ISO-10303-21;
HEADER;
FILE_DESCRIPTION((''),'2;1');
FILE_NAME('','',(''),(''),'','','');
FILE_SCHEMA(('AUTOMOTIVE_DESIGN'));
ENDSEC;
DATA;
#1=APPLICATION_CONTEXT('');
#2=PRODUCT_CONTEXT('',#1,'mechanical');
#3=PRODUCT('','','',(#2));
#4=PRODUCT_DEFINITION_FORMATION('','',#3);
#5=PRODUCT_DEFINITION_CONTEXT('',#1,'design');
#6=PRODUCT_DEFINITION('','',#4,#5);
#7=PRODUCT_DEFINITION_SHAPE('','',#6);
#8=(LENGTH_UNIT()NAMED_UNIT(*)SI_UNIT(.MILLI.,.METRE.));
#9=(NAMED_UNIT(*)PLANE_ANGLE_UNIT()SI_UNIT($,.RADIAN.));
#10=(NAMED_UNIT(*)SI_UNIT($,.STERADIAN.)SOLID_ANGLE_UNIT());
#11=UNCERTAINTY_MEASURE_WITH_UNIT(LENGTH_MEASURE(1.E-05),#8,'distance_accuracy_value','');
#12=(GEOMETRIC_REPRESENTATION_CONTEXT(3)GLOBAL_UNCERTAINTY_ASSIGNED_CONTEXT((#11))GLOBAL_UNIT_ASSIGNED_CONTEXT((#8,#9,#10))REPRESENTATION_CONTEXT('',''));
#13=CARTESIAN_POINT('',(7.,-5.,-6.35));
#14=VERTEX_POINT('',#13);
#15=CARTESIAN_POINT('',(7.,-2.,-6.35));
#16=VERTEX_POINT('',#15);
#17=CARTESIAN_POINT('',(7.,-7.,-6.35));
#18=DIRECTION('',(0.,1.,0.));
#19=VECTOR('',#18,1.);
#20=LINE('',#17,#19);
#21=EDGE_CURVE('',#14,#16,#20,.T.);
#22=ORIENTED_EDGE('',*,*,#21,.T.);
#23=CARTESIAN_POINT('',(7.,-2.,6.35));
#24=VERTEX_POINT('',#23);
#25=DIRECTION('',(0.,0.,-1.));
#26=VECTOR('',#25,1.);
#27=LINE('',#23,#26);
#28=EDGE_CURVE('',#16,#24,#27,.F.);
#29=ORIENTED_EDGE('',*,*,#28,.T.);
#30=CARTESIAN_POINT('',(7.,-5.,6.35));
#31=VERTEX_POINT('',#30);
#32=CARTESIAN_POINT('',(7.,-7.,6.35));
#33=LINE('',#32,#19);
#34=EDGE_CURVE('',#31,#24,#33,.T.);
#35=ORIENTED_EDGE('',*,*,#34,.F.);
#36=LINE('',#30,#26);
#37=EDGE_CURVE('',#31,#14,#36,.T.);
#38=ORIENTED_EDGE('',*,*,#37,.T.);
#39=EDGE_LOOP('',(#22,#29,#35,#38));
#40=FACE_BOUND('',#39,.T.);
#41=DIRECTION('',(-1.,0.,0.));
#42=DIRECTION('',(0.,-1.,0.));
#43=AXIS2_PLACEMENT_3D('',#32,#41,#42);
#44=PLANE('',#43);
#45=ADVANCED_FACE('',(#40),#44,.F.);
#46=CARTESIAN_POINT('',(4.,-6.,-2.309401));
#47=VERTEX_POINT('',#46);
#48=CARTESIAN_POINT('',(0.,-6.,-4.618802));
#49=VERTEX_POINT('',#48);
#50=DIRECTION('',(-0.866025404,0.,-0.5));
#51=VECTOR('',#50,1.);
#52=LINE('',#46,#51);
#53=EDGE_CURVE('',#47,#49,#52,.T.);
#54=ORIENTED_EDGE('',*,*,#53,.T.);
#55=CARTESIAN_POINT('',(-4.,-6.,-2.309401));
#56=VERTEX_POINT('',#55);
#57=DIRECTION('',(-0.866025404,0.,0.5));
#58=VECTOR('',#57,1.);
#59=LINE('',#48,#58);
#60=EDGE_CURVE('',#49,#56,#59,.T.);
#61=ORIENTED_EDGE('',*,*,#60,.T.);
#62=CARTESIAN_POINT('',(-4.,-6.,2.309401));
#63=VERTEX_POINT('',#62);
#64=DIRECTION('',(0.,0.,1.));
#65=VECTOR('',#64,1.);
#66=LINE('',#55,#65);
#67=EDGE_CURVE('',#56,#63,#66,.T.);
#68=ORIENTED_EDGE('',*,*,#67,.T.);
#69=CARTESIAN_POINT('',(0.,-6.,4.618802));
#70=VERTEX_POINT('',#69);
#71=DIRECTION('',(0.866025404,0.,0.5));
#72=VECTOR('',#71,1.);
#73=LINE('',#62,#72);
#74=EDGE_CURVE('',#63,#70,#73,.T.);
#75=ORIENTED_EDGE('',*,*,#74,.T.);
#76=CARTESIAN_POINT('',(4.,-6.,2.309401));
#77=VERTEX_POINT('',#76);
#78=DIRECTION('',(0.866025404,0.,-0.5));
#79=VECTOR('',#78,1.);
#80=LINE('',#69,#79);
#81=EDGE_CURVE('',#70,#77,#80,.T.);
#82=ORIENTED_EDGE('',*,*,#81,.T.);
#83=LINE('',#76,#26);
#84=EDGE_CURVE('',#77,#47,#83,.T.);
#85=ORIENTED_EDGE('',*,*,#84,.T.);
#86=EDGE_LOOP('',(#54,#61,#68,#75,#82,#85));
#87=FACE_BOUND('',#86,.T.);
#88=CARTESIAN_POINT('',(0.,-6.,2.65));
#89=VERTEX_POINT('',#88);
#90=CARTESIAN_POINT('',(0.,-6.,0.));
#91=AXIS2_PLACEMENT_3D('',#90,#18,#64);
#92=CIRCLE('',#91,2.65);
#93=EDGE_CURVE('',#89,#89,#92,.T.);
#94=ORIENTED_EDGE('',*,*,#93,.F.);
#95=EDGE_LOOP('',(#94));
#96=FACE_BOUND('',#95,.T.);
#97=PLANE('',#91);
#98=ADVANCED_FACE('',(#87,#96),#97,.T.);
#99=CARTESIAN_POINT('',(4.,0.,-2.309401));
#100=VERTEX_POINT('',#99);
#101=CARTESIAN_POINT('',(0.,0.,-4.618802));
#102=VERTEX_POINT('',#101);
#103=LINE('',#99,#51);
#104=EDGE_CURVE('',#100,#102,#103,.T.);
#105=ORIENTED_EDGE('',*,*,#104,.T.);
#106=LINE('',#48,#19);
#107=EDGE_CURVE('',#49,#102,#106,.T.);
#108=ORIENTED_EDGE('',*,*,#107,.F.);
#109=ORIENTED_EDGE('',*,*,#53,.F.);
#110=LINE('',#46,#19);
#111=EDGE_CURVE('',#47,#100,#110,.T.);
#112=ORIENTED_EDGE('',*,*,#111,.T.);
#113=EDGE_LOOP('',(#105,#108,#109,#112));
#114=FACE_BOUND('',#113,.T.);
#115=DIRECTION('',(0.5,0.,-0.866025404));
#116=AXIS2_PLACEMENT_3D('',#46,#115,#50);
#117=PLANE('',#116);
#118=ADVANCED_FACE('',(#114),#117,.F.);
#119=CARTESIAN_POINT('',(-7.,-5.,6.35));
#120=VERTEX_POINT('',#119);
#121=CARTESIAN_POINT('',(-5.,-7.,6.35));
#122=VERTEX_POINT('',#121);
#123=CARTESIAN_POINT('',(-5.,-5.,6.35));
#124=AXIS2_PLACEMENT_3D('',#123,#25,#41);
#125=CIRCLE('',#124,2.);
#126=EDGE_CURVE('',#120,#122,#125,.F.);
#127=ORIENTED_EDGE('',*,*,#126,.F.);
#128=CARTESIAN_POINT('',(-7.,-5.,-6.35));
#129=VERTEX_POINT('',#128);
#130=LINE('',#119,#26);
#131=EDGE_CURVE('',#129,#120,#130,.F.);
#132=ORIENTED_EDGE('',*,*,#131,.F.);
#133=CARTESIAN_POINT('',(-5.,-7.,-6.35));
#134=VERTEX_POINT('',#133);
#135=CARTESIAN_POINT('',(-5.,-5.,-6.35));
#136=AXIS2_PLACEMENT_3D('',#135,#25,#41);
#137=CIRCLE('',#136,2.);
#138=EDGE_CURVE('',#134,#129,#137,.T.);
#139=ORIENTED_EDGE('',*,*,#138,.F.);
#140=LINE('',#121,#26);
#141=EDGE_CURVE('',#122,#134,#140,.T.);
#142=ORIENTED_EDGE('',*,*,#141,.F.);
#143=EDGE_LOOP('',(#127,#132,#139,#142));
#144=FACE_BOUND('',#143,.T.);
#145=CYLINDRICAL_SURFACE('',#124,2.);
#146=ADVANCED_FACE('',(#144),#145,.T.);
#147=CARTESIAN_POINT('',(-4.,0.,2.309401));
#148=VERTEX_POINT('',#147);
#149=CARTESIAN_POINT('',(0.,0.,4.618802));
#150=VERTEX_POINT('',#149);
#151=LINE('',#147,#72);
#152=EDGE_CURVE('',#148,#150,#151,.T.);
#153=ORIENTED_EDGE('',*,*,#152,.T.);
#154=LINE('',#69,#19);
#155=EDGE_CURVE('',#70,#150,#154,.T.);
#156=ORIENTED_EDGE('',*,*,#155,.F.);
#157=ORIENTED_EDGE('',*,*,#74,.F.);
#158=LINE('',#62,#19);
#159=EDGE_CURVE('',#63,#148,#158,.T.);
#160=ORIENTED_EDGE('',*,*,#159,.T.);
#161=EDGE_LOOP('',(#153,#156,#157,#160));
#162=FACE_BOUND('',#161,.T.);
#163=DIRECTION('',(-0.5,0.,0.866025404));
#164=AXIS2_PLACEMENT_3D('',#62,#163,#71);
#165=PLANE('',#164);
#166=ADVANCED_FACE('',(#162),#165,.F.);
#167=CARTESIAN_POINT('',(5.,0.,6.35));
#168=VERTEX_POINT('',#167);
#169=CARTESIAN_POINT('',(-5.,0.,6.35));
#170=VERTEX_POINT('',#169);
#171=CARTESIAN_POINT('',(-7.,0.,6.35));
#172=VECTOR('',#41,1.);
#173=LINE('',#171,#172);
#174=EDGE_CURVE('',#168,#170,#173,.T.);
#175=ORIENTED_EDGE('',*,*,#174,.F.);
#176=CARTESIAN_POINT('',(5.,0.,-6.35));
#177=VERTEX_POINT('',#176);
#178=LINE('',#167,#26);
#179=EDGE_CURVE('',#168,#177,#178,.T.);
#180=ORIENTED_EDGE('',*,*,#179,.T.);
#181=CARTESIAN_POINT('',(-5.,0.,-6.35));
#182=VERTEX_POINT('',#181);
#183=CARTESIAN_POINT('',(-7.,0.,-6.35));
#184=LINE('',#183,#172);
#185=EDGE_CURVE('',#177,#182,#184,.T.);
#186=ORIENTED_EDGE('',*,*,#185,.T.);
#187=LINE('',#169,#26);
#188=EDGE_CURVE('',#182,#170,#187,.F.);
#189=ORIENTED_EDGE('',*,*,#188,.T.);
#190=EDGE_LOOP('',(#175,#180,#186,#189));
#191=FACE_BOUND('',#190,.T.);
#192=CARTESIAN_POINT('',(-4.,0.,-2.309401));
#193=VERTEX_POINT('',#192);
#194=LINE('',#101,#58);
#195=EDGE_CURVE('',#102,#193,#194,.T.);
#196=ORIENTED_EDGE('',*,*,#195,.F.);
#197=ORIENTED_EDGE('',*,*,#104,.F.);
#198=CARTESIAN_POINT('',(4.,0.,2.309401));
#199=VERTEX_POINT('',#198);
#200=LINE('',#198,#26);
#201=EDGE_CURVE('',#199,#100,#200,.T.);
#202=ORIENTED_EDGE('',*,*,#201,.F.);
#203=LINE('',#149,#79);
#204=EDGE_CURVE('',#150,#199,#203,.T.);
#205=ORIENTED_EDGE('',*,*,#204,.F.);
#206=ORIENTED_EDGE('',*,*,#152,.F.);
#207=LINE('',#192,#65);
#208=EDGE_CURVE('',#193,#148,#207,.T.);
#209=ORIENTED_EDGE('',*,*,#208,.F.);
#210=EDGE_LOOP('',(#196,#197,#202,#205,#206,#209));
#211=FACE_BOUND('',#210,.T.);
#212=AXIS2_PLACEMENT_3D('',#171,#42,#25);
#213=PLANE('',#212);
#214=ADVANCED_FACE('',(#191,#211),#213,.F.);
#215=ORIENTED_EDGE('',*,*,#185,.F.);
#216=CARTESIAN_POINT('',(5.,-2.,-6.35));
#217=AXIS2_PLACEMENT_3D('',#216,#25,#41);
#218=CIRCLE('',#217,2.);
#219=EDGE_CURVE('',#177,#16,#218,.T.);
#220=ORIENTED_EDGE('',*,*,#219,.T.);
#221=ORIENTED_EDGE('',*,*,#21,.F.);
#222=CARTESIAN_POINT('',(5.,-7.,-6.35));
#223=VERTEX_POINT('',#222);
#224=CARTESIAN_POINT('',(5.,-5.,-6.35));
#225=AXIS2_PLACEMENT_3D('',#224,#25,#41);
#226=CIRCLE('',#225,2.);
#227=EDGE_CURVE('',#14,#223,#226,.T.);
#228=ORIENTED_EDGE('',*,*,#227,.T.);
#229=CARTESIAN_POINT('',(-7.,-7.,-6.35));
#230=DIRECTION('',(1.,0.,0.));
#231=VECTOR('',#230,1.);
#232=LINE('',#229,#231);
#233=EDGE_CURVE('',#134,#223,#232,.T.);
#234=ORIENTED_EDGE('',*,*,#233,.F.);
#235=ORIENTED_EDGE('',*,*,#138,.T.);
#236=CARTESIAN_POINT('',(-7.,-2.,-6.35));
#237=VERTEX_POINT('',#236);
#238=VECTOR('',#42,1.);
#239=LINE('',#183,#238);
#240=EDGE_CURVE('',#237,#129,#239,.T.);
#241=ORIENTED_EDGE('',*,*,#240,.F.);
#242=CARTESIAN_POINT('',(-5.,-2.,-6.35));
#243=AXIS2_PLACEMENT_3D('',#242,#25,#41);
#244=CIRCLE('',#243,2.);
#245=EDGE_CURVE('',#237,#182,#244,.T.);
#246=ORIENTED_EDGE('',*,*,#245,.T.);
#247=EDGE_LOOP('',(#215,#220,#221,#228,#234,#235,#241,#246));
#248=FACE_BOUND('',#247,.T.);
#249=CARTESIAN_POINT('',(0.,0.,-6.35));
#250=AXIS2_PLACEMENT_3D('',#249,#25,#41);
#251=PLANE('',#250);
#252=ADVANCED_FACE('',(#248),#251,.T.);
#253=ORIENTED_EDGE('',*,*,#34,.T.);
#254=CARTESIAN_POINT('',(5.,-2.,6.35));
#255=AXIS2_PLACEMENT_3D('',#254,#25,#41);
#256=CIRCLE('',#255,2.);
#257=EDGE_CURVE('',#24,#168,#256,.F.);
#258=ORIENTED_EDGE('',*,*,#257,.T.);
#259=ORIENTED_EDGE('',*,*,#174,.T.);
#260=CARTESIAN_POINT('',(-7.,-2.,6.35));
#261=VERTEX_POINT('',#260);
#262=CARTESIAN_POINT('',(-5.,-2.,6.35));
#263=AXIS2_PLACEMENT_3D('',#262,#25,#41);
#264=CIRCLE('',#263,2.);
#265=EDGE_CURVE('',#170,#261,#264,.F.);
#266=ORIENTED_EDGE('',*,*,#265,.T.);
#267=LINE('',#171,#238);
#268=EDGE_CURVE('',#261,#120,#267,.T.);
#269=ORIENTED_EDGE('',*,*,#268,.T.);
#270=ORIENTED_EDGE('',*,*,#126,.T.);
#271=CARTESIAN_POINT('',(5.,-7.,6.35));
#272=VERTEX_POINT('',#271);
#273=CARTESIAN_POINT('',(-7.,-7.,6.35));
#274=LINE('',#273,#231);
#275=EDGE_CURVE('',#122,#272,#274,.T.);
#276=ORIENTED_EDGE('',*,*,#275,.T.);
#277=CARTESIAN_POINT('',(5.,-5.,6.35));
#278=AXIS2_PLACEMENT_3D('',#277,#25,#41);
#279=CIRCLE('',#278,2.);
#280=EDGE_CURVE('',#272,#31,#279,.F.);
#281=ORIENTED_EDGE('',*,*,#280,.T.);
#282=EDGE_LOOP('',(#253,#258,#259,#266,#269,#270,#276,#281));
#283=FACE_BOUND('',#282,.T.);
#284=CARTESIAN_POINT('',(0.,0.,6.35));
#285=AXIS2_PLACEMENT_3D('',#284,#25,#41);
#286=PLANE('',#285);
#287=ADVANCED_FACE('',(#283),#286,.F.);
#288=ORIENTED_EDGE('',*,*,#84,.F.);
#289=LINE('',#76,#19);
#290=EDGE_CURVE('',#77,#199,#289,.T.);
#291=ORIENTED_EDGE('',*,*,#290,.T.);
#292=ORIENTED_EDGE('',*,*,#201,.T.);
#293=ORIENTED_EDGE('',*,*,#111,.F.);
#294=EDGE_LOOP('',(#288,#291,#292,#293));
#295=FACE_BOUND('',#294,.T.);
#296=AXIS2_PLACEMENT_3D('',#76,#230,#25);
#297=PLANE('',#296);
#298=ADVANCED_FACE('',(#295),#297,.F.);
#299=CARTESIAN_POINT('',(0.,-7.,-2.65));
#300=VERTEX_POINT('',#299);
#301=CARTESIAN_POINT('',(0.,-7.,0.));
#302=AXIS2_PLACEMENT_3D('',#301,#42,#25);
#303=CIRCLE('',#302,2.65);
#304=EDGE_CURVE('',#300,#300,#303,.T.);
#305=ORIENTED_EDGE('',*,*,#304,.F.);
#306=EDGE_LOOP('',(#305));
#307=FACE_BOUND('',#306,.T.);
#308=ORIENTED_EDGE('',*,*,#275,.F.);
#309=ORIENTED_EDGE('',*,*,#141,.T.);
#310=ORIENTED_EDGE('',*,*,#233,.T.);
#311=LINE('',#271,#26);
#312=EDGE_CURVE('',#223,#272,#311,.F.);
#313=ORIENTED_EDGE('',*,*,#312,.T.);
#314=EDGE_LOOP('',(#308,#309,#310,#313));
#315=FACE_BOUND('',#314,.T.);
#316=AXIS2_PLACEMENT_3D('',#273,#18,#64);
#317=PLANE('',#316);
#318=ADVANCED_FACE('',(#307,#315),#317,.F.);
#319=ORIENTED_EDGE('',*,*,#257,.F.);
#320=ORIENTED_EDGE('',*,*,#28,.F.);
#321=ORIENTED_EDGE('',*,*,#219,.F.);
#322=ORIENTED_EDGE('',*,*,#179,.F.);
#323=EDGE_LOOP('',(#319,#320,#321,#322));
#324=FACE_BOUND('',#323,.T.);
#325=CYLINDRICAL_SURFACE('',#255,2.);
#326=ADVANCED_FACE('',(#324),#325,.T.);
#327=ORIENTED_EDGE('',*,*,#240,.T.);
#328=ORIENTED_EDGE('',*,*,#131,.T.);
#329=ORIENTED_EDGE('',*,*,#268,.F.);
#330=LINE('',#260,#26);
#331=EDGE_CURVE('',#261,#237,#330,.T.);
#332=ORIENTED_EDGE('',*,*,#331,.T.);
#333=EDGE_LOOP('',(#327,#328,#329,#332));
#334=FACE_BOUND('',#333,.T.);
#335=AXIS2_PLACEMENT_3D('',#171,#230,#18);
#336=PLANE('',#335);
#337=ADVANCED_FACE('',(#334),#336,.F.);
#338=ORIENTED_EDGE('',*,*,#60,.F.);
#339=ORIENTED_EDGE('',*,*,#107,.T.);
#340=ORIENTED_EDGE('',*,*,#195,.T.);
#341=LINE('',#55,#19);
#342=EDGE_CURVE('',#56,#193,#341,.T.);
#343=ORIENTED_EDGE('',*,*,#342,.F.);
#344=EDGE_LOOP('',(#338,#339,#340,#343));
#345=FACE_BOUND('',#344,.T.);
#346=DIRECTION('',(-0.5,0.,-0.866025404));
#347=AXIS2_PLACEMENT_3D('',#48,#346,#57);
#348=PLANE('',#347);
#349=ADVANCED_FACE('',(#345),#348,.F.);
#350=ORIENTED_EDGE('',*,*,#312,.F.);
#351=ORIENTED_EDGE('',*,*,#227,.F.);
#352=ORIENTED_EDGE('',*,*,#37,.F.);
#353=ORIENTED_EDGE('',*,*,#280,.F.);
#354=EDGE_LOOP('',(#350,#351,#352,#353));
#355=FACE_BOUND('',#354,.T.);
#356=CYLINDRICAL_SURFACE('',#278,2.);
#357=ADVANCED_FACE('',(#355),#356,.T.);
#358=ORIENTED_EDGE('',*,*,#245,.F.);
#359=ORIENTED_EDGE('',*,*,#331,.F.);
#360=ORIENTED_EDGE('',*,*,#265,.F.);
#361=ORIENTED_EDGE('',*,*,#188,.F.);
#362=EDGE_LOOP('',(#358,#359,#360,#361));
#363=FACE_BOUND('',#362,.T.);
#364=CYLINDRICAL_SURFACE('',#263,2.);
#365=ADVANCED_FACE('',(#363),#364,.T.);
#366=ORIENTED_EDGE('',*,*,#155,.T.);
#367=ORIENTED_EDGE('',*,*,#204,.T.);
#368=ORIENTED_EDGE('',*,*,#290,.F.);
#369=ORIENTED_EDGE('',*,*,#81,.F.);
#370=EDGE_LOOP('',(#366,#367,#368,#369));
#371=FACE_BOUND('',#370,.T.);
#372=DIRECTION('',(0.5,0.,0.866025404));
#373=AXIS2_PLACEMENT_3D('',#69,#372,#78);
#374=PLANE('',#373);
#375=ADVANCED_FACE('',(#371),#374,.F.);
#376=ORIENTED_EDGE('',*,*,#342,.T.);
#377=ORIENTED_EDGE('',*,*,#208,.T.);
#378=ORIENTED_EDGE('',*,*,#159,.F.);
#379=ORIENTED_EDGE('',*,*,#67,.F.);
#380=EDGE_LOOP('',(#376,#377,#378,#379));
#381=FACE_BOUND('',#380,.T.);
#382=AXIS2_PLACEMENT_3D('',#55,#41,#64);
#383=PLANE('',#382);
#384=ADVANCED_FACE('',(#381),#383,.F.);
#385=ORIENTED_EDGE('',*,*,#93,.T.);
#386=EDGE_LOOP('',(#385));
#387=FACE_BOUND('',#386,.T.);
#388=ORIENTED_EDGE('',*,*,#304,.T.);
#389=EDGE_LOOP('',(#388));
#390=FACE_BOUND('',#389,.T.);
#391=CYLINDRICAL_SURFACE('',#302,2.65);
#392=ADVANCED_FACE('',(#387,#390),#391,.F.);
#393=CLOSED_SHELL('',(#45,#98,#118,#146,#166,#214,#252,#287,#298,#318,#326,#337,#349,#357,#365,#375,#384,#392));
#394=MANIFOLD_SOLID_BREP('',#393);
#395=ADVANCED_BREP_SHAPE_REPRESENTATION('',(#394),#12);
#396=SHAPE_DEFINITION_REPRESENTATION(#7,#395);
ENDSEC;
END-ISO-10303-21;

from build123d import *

# Parameters (mm, degrees)
SKETCH1_W            = 14
SKETCH1_H            = 7
BOSS_EXTRUDE1_DEPTH  = 6.35
CUT_EXTRUDE1_DEPTH   = 6
FILLET1_R            = 2
M5_CLEARANCE_HOLE1_D = 5.3


with BuildPart() as part:
    # Sketch1 → Boss-Extrude1 (new, symmetric)
    with BuildSketch(Plane.XY):
        with Locations((0, -3.5)):
            Rectangle(SKETCH1_W, SKETCH1_H)
    extrude(amount=BOSS_EXTRUDE1_DEPTH, both=True)

    # Sketch2 → Cut-Extrude1 (cut)
    with BuildSketch(Plane(origin=(0, 0, 0), x_dir=(1, 0, 0), z_dir=(0, 1, 0))):
        Polygon((0, -4.618802154), (4, -2.309401077), (4, 2.309401077), (0, 4.618802154), (-4, 2.309401077), (-4, -2.309401077), align=None)
    extrude(amount=-CUT_EXTRUDE1_DEPTH, mode=Mode.SUBTRACT)

    # Fillet1
    fillet1_edges = [part.edges().sort_by_distance(p)[0] for p in [
        (7, -7, 0),
        (-7, -7, 0),
        (-7, 0, 0),
        (7, 0, 0),
    ]]
    fillet(fillet1_edges, radius=FILLET1_R)

    # M5 Clearance Hole1 (through all)
    with Locations(Plane(origin=(0, -7, 0), x_dir=(-1, 0, 0), z_dir=(0, -1, 0))):
        with Locations((0, 0)):
            Hole(M5_CLEARANCE_HOLE1_D / 2)


solid = part.part
